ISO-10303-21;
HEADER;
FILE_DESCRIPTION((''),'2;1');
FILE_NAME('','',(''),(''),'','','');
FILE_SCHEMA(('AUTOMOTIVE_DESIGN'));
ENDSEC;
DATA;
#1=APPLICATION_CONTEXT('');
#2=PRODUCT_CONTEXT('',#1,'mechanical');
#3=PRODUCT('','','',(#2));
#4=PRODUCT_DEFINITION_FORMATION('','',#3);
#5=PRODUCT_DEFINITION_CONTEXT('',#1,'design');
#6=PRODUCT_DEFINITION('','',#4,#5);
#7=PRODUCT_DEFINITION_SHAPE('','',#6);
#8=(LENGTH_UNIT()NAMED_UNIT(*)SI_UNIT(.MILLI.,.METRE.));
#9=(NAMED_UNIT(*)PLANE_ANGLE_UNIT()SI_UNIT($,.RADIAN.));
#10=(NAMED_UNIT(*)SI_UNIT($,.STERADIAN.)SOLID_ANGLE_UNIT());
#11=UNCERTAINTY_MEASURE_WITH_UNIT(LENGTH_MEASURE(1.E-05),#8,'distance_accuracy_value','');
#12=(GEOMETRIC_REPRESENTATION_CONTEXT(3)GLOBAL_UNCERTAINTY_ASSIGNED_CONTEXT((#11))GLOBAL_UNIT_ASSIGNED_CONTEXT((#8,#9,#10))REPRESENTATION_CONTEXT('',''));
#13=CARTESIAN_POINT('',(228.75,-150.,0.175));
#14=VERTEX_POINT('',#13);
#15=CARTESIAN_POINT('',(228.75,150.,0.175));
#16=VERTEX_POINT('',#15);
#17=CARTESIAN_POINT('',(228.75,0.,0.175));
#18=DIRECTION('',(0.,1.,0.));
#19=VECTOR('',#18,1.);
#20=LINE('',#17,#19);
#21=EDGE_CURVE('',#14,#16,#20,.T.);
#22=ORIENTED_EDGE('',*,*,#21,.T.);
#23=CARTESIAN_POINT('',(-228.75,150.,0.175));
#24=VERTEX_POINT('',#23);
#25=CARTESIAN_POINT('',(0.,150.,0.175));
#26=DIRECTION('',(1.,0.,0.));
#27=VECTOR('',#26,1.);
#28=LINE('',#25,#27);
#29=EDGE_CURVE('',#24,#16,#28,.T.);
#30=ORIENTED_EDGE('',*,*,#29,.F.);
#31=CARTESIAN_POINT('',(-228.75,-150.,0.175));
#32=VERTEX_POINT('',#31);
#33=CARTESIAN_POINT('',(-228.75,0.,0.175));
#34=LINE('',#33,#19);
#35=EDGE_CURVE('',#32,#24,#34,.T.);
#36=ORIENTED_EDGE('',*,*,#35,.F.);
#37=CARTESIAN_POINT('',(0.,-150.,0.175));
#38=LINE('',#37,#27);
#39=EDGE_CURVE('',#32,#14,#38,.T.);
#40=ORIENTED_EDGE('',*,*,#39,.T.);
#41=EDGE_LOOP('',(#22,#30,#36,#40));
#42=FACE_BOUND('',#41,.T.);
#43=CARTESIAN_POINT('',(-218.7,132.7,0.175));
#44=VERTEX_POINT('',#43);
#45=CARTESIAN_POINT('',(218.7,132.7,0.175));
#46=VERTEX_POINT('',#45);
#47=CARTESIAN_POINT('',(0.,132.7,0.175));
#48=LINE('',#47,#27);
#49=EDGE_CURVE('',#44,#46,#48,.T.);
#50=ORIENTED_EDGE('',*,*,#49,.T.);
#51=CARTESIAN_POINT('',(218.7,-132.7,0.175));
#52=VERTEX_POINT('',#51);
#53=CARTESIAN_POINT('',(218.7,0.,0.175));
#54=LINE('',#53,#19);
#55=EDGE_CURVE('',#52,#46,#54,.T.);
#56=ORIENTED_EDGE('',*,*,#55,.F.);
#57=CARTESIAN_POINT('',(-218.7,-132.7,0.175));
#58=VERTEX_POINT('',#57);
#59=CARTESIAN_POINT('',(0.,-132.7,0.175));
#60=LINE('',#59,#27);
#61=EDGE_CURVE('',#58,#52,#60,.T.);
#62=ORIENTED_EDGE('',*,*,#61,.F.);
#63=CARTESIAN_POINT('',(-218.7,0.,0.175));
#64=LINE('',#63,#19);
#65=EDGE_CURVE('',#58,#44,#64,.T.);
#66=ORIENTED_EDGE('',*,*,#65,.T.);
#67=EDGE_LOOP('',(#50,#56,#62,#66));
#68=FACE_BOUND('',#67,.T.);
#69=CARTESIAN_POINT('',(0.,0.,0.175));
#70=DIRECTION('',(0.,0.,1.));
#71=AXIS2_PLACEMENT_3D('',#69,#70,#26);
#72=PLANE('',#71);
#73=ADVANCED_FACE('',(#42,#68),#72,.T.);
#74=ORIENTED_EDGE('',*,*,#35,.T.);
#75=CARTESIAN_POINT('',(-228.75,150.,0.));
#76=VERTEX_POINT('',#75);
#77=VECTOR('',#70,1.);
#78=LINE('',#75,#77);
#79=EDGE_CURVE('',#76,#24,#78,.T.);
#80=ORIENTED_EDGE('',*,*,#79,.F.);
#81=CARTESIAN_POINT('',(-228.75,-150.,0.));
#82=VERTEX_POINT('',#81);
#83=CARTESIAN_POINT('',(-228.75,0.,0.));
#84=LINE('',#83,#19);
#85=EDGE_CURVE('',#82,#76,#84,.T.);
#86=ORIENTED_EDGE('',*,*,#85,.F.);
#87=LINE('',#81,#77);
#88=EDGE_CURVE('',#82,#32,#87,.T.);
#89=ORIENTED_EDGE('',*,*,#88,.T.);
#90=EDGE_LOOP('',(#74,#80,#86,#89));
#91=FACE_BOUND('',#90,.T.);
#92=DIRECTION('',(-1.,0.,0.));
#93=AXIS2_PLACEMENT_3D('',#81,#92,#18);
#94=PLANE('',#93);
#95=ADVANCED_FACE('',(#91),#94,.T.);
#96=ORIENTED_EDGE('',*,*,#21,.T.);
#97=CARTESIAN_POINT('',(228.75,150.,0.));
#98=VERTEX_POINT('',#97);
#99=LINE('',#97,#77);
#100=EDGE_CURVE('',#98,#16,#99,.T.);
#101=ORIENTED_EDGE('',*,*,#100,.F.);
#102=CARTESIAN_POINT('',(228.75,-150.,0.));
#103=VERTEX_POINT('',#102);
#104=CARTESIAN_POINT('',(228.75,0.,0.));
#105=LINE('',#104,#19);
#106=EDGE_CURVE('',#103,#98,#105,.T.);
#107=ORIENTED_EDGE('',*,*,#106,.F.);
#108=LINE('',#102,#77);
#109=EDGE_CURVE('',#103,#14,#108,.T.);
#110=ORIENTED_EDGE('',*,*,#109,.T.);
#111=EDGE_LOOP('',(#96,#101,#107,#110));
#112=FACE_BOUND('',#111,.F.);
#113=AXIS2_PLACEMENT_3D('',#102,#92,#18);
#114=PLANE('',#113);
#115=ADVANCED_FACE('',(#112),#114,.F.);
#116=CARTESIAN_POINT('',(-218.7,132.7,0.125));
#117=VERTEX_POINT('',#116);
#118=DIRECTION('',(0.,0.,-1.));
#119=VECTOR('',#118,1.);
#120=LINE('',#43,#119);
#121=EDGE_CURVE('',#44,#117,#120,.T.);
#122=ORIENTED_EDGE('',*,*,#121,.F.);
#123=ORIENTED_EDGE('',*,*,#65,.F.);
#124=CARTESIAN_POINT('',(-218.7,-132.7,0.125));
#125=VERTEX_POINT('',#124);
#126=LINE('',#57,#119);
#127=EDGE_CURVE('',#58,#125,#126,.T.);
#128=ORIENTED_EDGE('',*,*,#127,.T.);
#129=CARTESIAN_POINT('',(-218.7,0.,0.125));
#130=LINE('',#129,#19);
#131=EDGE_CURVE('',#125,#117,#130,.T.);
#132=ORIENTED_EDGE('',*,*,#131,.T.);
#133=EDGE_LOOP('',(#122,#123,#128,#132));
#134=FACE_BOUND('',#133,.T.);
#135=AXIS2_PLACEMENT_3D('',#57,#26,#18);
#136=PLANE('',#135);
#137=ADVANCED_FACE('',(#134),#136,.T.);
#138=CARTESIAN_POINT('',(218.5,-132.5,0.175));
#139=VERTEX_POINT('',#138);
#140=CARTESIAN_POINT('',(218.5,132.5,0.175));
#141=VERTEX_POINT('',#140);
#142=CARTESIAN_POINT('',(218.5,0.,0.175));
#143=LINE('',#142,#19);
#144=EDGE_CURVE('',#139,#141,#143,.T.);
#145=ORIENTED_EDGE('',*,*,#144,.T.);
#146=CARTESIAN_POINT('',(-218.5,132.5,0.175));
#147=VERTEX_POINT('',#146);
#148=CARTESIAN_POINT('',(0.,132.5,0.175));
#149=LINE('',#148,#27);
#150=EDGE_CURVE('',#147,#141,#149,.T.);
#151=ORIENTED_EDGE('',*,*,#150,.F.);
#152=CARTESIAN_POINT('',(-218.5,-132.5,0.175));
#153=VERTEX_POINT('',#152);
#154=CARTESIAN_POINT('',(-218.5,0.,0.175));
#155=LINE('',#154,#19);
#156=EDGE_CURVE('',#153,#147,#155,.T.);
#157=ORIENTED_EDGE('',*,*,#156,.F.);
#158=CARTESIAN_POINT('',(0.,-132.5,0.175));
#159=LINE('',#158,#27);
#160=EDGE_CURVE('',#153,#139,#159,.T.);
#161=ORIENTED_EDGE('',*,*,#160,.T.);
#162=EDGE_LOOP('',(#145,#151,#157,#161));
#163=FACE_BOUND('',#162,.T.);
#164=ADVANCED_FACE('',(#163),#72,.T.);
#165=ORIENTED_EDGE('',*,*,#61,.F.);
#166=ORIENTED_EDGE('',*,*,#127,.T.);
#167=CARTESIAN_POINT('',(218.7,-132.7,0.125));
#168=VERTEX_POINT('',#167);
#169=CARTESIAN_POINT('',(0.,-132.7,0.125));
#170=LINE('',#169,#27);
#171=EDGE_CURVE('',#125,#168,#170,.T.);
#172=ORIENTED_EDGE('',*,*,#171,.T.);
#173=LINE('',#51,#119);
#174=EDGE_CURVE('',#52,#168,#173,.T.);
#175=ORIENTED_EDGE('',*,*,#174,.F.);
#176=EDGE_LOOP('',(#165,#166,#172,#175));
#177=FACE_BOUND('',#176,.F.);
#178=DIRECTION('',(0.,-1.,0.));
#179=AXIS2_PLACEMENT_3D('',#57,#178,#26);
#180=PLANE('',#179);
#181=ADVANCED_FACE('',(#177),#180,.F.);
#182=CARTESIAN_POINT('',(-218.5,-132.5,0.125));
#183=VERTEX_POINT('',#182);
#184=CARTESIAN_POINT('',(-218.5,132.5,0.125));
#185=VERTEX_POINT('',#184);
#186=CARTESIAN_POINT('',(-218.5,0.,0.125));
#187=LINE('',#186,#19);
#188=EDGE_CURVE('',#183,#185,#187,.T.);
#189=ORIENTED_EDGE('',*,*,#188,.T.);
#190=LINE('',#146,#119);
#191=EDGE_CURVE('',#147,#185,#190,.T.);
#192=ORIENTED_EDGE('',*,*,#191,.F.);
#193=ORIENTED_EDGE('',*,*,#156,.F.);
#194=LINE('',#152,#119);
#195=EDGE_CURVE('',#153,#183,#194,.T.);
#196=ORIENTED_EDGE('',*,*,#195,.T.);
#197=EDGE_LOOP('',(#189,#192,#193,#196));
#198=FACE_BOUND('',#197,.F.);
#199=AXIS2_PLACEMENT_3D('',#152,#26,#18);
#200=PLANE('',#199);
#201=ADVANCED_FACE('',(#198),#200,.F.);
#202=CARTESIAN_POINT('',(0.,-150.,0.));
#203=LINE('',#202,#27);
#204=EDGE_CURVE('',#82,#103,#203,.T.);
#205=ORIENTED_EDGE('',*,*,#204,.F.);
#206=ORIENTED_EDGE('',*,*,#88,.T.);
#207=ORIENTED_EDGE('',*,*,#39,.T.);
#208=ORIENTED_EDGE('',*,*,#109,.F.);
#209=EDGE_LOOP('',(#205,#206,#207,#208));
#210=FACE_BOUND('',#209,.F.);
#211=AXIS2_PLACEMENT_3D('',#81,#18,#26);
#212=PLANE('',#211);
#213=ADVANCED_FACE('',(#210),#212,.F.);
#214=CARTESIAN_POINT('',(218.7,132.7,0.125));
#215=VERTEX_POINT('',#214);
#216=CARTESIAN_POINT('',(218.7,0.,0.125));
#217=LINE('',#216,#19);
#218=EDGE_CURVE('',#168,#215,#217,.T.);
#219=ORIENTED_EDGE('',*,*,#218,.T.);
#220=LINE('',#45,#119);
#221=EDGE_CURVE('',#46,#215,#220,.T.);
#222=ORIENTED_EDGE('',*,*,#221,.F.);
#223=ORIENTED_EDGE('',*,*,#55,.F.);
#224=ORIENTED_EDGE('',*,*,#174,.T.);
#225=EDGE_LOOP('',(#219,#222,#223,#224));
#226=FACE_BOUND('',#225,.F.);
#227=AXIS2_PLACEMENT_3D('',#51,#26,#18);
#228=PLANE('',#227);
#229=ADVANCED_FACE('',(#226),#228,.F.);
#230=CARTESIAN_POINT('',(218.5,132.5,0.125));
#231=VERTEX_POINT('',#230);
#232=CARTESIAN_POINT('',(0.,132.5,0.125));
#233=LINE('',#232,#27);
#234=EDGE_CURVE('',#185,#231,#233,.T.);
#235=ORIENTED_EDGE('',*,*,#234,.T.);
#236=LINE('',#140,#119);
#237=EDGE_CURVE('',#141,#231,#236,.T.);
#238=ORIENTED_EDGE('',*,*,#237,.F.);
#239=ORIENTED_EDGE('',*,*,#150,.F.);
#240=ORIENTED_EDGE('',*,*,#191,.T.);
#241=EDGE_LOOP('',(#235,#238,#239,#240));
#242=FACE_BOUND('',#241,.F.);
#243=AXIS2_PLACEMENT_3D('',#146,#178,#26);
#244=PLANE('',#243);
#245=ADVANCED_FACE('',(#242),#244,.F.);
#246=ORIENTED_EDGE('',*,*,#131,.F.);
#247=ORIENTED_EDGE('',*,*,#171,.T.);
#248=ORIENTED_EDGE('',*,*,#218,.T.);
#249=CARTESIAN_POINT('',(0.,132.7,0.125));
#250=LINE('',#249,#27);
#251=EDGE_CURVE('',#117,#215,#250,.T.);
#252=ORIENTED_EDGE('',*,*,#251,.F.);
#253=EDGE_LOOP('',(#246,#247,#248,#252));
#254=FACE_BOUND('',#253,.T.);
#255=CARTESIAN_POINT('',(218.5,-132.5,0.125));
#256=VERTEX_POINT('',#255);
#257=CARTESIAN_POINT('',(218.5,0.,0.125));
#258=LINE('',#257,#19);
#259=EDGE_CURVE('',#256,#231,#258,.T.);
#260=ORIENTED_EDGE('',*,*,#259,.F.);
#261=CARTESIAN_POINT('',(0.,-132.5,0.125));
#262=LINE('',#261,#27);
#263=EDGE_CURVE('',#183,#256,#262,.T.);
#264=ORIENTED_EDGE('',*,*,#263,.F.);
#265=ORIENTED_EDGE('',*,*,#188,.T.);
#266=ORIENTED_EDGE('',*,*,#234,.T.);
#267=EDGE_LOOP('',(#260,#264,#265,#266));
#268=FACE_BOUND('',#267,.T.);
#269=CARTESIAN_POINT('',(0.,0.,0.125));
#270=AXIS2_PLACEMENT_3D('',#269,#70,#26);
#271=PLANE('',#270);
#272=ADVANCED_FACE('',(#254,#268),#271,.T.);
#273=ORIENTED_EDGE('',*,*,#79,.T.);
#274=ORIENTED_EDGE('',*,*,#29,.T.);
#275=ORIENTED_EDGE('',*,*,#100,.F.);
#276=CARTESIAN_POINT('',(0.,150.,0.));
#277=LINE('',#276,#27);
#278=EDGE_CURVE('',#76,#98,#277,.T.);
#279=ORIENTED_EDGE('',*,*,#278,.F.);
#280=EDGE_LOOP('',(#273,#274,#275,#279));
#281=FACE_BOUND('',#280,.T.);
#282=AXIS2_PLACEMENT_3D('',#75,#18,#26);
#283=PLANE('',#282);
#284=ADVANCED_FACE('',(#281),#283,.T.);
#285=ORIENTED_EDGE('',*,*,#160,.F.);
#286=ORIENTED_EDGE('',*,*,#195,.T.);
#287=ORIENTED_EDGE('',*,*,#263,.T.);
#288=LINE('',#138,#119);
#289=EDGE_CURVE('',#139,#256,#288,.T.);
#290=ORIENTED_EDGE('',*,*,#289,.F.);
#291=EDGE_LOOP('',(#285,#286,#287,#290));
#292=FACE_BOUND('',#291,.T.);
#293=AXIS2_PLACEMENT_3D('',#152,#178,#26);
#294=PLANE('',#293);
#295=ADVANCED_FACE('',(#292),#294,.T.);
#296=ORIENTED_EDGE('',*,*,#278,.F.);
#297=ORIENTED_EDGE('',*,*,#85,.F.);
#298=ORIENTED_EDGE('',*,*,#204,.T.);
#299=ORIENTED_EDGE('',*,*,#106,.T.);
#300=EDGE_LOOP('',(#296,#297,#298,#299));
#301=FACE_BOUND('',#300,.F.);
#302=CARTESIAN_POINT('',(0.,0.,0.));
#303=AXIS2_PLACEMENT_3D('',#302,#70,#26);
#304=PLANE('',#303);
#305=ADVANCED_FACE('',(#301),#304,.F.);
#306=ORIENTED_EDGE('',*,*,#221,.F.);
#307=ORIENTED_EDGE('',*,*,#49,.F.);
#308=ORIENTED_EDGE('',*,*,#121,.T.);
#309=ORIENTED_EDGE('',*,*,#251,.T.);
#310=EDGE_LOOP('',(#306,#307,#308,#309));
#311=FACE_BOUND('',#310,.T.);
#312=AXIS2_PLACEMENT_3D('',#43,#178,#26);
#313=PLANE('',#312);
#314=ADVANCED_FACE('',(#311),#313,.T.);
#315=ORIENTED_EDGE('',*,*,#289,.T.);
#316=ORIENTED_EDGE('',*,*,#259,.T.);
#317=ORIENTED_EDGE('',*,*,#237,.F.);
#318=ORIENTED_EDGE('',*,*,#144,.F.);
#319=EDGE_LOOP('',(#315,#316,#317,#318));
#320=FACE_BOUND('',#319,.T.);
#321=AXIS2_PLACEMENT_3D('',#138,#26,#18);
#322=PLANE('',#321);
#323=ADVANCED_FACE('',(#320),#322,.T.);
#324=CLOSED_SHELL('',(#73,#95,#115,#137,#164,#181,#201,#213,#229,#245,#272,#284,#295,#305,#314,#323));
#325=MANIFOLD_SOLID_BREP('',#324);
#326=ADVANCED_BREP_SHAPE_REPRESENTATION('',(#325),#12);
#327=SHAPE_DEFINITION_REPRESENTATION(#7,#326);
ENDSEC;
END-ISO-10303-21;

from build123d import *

# Parameters (mm, degrees)
F0_W     = 457.5
F0_H     = 300
F1_DEPTH = 0.175
F2_W     = 437.4
F2_H     = 265.4
F2_W_2   = 437
F2_H_2   = 265
F3_DEPTH = 0.05


with BuildPart() as f1:
    # F0 (on Top) → F1 (new body)
    with BuildSketch(Plane.XY):
        Rectangle(F0_W, F0_H)
    extrude(amount=F1_DEPTH)

    # F2 (on face) → F3 (cut)
    with BuildSketch(Plane.XY.offset(0.175)):
        Rectangle(F2_W, F2_H)
        Rectangle(F2_W_2, F2_H_2, mode=Mode.SUBTRACT)
    extrude(amount=-F3_DEPTH, mode=Mode.SUBTRACT)


solid = f1.part
